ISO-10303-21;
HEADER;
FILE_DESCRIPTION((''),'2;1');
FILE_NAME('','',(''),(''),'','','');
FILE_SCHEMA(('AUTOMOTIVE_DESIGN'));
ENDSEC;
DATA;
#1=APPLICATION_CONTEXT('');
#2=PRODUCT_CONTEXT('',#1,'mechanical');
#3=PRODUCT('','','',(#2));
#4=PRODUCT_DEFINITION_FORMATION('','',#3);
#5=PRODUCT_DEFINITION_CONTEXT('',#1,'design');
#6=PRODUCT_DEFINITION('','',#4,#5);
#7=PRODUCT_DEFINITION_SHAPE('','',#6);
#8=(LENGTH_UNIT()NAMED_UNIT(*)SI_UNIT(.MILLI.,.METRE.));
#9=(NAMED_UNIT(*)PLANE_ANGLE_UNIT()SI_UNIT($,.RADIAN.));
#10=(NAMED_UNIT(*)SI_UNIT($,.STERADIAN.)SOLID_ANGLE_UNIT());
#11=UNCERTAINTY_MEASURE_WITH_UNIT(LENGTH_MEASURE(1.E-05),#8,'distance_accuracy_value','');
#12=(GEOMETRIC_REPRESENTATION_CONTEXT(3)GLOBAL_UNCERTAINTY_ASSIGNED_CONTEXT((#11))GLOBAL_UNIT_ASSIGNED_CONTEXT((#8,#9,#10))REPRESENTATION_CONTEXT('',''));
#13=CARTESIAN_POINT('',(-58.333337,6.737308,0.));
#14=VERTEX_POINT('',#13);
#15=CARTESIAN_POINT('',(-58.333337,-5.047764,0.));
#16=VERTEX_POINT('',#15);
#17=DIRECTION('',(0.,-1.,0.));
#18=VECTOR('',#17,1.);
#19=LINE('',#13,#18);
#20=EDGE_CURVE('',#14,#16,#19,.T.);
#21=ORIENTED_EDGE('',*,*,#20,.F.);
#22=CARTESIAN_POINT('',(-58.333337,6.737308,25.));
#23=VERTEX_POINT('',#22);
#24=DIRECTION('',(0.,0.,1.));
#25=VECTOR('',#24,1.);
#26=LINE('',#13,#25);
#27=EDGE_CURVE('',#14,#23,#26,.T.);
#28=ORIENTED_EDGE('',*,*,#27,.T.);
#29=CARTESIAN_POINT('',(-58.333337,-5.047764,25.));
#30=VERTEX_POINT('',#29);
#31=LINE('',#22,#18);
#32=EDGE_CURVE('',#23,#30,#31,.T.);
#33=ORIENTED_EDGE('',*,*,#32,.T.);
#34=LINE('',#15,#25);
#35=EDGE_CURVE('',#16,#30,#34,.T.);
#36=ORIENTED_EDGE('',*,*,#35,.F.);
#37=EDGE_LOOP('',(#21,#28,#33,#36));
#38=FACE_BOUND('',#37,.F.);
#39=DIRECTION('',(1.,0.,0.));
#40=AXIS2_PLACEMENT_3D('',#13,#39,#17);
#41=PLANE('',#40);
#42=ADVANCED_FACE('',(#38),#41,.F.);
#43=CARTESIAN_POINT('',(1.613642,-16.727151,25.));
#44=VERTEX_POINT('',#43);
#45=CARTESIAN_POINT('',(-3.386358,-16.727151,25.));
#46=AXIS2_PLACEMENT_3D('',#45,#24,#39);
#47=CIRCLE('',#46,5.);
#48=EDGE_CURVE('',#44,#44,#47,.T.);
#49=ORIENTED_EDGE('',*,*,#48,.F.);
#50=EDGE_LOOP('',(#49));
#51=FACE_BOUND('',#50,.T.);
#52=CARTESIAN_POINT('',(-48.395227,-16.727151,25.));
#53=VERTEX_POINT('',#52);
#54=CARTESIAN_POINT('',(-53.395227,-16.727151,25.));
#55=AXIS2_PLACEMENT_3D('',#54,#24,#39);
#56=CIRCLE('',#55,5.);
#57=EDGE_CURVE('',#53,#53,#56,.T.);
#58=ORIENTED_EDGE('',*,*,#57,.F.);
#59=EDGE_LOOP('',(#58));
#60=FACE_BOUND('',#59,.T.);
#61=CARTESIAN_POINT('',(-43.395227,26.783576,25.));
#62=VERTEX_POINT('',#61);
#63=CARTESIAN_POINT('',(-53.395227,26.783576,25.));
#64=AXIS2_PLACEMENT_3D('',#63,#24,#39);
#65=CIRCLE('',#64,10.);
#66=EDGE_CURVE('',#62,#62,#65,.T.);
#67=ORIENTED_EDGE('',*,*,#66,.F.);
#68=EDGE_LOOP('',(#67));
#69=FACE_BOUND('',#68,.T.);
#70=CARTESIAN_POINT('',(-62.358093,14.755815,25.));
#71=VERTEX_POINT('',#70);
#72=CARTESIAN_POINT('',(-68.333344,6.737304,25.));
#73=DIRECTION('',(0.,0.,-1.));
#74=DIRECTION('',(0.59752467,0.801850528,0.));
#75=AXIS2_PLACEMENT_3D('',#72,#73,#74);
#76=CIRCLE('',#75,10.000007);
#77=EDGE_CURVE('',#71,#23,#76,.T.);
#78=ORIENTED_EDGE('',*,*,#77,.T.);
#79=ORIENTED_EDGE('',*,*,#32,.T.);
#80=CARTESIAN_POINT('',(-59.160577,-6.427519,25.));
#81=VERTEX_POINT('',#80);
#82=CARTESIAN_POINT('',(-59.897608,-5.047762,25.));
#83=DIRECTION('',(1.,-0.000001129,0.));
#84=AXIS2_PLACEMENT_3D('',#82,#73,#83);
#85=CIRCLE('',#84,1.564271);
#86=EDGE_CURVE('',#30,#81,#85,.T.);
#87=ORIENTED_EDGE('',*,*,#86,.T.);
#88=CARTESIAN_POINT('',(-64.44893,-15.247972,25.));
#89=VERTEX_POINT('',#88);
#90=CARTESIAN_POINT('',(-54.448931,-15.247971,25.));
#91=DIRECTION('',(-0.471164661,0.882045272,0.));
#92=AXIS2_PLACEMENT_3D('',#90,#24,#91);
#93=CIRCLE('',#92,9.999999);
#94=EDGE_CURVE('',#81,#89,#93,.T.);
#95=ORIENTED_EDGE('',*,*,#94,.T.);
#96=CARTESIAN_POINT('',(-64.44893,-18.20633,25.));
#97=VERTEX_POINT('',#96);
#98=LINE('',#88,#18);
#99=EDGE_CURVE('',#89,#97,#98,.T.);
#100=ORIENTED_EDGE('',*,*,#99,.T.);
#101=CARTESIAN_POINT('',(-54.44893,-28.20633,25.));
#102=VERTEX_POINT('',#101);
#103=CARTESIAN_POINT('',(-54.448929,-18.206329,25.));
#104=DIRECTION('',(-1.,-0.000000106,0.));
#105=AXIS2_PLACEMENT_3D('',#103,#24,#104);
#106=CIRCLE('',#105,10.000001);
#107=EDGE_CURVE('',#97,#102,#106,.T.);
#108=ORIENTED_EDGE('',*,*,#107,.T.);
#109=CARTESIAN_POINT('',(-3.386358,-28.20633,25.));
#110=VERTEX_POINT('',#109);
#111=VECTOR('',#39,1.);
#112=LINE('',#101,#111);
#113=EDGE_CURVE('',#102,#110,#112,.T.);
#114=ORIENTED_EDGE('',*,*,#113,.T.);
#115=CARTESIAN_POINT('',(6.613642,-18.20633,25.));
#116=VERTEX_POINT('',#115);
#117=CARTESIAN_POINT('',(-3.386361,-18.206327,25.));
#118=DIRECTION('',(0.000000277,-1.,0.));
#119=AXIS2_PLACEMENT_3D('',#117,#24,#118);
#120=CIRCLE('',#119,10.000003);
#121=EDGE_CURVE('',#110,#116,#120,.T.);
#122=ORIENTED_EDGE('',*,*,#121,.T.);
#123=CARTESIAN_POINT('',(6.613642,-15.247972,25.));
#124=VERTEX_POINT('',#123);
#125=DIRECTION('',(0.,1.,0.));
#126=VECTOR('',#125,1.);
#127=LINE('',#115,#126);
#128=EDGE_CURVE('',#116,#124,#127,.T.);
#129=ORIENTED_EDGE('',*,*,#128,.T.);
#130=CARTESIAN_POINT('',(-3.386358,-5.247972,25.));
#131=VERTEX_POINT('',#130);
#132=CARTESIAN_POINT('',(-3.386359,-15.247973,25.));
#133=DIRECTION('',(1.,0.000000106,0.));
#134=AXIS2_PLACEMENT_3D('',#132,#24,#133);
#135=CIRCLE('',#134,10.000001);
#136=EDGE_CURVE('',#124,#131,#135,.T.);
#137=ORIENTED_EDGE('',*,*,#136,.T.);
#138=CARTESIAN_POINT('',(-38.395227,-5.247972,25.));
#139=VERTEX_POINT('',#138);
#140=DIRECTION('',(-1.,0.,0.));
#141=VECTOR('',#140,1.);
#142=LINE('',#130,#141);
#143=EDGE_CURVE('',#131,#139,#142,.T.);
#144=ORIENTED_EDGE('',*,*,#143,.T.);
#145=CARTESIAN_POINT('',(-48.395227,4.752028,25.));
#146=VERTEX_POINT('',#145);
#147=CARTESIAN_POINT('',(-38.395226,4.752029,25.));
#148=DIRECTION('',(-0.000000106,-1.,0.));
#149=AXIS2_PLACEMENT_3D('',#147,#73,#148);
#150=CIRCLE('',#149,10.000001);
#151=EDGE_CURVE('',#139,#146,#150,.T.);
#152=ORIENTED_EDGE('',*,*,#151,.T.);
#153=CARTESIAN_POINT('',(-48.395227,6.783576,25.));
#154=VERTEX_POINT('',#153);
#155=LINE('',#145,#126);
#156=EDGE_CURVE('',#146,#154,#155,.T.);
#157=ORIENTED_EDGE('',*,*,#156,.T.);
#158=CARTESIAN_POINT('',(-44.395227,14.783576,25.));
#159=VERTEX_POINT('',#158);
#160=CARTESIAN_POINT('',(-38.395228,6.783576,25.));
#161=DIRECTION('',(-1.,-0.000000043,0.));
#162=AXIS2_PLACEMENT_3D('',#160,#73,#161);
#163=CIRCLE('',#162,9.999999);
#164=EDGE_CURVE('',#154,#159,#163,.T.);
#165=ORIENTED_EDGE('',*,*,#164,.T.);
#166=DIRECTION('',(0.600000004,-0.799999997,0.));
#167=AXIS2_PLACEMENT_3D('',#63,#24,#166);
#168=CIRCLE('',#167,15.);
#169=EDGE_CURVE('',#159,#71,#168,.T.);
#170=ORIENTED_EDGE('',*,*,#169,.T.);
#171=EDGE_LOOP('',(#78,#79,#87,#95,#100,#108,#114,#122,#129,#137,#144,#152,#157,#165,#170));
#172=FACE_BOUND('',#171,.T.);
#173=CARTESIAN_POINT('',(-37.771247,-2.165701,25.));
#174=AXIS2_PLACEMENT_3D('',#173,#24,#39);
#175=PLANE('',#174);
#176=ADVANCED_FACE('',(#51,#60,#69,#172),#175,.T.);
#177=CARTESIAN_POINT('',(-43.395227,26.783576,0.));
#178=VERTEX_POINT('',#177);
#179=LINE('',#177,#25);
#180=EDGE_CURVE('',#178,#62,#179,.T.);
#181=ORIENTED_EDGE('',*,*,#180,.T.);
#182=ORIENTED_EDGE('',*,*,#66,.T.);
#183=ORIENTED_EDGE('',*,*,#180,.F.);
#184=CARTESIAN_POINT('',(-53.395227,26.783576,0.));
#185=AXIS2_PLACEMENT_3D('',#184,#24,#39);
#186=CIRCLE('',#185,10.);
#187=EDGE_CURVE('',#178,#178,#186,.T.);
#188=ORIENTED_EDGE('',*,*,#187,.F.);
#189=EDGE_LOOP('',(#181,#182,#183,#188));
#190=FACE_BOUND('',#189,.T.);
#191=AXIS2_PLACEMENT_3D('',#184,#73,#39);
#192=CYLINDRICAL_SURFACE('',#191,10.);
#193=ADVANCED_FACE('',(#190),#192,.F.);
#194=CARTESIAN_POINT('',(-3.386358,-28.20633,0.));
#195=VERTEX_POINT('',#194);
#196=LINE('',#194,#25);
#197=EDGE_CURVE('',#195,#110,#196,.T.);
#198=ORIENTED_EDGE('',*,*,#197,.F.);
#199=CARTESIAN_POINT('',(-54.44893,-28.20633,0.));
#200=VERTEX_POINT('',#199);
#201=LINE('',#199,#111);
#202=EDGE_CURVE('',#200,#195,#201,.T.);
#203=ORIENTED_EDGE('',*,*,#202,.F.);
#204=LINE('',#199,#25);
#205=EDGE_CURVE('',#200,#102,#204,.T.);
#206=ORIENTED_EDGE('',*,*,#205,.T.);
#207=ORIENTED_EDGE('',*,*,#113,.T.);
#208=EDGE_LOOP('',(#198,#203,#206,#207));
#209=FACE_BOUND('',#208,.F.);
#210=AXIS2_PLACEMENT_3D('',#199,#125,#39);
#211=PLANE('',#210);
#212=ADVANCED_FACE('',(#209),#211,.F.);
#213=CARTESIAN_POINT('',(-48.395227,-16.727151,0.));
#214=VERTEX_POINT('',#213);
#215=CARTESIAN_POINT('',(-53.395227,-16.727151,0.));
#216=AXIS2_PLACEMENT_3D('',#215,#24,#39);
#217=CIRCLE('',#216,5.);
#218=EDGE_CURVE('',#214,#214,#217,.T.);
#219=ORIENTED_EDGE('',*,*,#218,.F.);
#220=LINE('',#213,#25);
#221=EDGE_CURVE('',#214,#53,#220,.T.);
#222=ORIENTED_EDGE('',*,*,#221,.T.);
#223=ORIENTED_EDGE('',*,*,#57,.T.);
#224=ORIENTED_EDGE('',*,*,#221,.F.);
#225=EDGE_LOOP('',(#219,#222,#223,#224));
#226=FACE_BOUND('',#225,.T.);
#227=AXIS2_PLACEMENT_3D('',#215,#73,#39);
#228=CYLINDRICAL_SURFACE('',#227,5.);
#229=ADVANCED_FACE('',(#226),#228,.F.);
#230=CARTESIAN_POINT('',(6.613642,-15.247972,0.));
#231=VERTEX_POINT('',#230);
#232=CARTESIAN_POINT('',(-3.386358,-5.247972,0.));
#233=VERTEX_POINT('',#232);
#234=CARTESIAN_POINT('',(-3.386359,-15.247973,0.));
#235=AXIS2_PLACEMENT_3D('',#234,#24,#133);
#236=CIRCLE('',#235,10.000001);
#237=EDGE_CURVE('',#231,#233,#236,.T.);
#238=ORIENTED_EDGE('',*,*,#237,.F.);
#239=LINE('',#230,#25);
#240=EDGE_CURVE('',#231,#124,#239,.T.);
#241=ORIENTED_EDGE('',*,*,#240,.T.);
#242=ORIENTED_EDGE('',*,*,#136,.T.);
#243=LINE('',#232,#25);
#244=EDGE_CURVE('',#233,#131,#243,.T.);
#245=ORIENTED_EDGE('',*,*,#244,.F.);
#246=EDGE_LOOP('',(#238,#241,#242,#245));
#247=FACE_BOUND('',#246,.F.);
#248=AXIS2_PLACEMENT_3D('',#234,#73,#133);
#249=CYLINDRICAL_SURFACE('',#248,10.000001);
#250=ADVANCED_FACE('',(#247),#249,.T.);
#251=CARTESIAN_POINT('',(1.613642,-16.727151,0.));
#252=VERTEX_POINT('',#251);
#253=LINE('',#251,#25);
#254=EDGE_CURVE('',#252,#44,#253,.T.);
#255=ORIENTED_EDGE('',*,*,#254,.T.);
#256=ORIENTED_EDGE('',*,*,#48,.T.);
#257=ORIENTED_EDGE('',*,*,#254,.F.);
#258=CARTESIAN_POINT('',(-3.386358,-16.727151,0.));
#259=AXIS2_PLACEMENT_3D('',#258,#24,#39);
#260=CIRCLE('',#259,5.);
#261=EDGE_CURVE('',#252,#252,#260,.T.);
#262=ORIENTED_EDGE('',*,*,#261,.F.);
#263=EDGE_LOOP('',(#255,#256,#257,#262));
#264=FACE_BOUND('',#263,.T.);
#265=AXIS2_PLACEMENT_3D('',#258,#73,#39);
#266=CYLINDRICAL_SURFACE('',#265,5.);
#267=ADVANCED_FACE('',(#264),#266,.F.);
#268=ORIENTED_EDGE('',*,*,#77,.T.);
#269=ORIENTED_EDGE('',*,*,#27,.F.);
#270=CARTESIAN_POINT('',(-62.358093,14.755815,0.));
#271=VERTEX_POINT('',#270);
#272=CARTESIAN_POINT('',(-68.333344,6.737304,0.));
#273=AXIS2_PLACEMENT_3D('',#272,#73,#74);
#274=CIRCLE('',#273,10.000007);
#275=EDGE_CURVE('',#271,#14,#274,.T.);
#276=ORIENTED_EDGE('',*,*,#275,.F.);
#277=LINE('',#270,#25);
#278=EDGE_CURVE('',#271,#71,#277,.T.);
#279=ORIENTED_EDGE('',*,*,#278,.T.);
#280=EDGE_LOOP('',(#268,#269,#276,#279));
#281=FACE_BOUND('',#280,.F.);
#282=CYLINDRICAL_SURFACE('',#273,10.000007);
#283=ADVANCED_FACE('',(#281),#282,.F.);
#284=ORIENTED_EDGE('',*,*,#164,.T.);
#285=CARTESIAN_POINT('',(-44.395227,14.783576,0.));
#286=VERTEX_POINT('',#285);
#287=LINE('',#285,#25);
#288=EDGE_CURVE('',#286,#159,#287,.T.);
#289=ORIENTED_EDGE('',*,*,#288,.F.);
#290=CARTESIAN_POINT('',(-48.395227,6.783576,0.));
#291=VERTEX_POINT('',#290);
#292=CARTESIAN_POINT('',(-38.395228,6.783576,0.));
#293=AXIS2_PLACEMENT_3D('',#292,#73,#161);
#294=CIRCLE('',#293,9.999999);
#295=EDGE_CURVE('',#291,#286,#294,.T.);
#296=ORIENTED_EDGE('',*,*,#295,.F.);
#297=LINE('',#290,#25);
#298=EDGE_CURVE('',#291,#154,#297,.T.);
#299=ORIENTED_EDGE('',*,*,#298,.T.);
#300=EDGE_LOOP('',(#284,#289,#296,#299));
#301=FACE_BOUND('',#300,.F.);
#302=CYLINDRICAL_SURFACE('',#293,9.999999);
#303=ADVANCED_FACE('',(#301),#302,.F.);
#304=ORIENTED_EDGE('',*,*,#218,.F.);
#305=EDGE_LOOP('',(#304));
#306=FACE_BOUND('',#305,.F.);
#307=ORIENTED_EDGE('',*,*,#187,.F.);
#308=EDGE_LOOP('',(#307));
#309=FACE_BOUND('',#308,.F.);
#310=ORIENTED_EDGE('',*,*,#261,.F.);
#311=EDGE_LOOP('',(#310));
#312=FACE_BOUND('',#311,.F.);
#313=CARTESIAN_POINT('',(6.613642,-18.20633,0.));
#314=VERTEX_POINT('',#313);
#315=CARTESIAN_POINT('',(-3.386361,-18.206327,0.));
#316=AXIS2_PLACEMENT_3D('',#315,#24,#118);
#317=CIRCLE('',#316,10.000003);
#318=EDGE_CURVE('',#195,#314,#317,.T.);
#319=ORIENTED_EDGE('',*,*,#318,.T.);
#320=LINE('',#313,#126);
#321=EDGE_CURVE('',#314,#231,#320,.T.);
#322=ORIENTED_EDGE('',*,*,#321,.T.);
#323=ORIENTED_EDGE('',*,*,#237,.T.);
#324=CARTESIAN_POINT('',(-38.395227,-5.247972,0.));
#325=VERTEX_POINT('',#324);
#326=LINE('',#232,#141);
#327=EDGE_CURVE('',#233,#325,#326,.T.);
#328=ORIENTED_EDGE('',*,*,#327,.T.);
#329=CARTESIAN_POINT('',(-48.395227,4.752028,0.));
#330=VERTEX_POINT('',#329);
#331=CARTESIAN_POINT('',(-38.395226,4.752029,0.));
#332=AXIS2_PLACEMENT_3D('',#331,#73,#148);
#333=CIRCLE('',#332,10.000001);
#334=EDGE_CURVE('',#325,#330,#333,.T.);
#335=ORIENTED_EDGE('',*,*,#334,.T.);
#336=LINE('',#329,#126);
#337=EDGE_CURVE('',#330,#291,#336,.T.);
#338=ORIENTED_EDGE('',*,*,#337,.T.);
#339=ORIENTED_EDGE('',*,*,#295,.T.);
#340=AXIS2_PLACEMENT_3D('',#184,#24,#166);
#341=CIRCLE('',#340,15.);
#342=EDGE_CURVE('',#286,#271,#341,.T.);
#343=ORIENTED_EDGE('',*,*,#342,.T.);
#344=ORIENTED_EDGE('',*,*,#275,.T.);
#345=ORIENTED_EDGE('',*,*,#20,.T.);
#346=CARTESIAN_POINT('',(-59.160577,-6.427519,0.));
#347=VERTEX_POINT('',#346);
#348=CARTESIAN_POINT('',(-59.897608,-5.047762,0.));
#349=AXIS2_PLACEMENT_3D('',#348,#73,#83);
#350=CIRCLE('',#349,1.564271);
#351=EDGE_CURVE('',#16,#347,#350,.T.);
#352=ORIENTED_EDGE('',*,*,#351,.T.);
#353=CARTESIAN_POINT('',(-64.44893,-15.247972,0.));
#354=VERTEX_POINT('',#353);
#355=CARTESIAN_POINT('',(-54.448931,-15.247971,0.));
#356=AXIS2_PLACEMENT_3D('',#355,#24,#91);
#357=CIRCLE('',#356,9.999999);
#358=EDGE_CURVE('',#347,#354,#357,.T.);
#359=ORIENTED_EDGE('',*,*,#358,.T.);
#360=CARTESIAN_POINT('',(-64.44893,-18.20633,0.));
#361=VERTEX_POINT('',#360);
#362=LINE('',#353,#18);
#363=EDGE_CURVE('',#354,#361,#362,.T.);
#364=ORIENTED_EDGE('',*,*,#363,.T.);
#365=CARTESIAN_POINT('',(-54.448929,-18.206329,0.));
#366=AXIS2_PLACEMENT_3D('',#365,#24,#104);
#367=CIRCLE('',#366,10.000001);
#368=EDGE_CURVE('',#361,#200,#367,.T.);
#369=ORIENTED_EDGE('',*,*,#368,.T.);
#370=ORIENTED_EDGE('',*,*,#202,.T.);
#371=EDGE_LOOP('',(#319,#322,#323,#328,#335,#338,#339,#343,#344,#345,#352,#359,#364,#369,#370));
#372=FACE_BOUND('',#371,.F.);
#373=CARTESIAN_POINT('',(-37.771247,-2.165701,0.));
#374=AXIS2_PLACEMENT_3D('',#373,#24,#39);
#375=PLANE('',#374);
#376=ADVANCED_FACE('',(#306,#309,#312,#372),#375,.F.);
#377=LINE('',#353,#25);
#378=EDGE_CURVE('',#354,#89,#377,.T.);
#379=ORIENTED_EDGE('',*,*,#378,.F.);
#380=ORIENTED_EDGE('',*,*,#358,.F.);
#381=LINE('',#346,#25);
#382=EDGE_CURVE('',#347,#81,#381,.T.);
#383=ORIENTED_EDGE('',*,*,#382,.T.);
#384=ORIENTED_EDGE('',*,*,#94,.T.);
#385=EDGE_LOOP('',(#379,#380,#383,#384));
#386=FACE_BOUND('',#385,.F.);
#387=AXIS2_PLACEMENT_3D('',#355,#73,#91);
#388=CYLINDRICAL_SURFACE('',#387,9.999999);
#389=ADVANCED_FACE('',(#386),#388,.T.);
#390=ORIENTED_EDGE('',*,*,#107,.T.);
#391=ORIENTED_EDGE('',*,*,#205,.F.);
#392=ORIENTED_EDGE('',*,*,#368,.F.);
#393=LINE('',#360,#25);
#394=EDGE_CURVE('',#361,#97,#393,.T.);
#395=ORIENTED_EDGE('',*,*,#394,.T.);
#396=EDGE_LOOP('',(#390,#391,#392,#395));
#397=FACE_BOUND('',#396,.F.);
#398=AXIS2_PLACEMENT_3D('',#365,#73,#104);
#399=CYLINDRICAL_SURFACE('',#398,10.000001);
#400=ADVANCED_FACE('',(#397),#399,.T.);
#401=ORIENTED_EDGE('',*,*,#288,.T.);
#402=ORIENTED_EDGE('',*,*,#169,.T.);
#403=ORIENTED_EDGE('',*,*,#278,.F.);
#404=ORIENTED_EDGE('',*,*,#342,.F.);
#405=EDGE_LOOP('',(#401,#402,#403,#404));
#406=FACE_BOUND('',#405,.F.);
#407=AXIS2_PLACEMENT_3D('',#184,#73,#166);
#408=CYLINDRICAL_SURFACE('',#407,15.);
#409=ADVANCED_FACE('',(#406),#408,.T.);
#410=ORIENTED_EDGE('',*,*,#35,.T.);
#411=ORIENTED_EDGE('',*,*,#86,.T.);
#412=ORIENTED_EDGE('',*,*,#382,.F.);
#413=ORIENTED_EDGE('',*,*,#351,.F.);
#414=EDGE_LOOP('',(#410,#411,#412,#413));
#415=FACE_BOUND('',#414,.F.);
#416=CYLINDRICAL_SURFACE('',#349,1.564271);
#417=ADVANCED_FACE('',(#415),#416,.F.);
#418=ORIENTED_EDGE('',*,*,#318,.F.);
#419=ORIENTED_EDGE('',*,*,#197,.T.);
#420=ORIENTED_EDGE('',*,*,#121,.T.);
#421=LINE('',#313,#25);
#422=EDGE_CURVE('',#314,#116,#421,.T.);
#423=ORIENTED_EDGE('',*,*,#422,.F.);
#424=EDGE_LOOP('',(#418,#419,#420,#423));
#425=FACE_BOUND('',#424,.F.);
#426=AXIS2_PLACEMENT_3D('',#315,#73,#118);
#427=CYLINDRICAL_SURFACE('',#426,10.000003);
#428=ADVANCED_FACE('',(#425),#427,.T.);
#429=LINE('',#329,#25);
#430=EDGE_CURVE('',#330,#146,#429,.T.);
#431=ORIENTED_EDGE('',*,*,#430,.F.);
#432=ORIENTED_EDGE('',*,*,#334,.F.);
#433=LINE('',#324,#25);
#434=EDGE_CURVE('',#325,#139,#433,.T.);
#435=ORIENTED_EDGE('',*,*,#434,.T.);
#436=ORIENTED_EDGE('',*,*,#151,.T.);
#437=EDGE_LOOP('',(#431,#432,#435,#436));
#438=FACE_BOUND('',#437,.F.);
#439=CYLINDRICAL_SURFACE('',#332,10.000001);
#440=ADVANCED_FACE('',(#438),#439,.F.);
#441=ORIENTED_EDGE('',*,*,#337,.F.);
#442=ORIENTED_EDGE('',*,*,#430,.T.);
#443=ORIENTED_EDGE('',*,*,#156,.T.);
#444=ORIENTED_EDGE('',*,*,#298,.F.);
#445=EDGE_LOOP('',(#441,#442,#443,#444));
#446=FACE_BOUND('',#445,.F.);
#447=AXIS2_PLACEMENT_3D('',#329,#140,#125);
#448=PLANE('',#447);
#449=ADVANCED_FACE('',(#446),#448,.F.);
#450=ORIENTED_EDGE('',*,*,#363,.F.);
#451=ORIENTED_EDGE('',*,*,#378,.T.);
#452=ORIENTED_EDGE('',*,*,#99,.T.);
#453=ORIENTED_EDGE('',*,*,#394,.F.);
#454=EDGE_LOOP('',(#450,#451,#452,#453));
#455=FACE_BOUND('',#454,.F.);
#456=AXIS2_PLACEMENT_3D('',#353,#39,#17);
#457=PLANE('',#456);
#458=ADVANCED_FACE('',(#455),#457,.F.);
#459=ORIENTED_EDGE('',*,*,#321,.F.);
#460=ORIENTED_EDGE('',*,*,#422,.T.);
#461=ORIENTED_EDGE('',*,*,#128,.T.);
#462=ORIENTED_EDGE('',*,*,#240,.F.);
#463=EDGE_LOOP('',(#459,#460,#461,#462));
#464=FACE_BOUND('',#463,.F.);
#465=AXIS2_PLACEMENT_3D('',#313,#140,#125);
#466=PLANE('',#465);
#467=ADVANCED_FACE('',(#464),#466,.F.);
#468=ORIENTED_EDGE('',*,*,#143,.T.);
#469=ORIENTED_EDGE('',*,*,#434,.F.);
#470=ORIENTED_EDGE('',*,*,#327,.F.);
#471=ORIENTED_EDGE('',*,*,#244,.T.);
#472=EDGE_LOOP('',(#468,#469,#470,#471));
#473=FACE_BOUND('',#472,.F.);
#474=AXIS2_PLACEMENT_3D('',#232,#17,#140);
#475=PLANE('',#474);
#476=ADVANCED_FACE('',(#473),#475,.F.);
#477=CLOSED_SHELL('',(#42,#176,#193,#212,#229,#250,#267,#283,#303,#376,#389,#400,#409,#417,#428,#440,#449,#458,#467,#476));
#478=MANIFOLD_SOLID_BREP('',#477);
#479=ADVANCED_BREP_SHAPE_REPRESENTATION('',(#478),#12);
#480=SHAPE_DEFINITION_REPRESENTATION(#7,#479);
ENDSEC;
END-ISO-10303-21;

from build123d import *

# Parameters (mm, degrees)
F0_R     = 5
F0_R_2   = 10
F1_DEPTH = 25
F2_DEPTH = 25


with BuildPart() as f1:
    # F0 (on Top) → F1 (new body)
    with BuildSketch(Plane.XY):
        with BuildLine():
            Line((-3.386358, -5.247972), (-35.82144, -5.247972))
            Line((-35.82144, -5.247972), (-38.395227, -5.247972))
            ThreePointArc((-38.395227, -5.247972), (-45.466295, -2.319039), (-48.395227, 4.752028))
            Line((-48.395227, 4.752028), (-48.395227, 6.783576))
            ThreePointArc((-48.395227, 6.783576), (-47.339499, 11.255712), (-44.395227, 14.783576))
            ThreePointArc((-44.395227, 14.783576), (-53.418409, 41.783558), (-62.358093, 14.755815))
            ThreePointArc((-62.358093, 14.755815), (-59.395988, 11.223261), (-58.333337, 6.737308))
            Line((-58.333337, 6.737308), (-58.333337, -5.047764))
            ThreePointArc((-58.333337, -5.047764), (-58.555994, -5.852135), (-59.160577, -6.427519))
            ThreePointArc((-59.160577, -6.427519), (-63.02554, -10.105816), (-64.44893, -15.247972))
            Line((-64.44893, -15.247972), (-64.44893, -18.20633))
            ThreePointArc((-64.44893, -18.20633), (-61.519998, -25.277397), (-54.44893, -28.20633))
            Line((-54.44893, -28.20633), (-3.386358, -28.20633))
            ThreePointArc((-3.386358, -28.20633), (3.684709, -25.277397), (6.613642, -18.20633))
            Line((6.613642, -18.20633), (6.613642, -16.727151))
            Line((6.613642, -16.727151), (6.613642, -15.247972))
            ThreePointArc((6.613642, -15.247972), (3.684709, -8.176904), (-3.386358, -5.247972))
        make_face()
        with Locations((-53.395227, -16.727151)):
            Circle(F0_R, mode=Mode.SUBTRACT)
        with Locations((-3.386358, -16.727151)):
            Circle(F0_R, mode=Mode.SUBTRACT)
        with Locations((-53.395227, 26.783576)):
            Circle(F0_R_2, mode=Mode.SUBTRACT)
    extrude(amount=F1_DEPTH)

    # F0 (on Top) → F2 (join)
    with BuildSketch(Plane.XY):
        with BuildLine():
            Line((-3.386358, -5.247972), (-35.82144, -5.247972))
            Line((-35.82144, -5.247972), (-38.395227, -5.247972))
            ThreePointArc((-38.395227, -5.247972), (-45.466295, -2.319039), (-48.395227, 4.752028))
            Line((-48.395227, 4.752028), (-48.395227, 6.783576))
            ThreePointArc((-48.395227, 6.783576), (-47.339499, 11.255712), (-44.395227, 14.783576))
            ThreePointArc((-44.395227, 14.783576), (-53.418409, 41.783558), (-62.358093, 14.755815))
            ThreePointArc((-62.358093, 14.755815), (-59.395988, 11.223261), (-58.333337, 6.737308))
            Line((-58.333337, 6.737308), (-58.333337, -5.047764))
            ThreePointArc((-58.333337, -5.047764), (-58.555994, -5.852135), (-59.160577, -6.427519))
            ThreePointArc((-59.160577, -6.427519), (-63.02554, -10.105816), (-64.44893, -15.247972))
            Line((-64.44893, -15.247972), (-64.44893, -18.20633))
            ThreePointArc((-64.44893, -18.20633), (-61.519998, -25.277397), (-54.44893, -28.20633))
            Line((-54.44893, -28.20633), (-3.386358, -28.20633))
            ThreePointArc((-3.386358, -28.20633), (3.684709, -25.277397), (6.613642, -18.20633))
            Line((6.613642, -18.20633), (6.613642, -16.727151))
            Line((6.613642, -16.727151), (6.613642, -15.247972))
            ThreePointArc((6.613642, -15.247972), (3.684709, -8.176904), (-3.386358, -5.247972))
        make_face()
        with Locations((-53.395227, -16.727151)):
            Circle(F0_R, mode=Mode.SUBTRACT)
        with Locations((-3.386358, -16.727151)):
            Circle(F0_R, mode=Mode.SUBTRACT)
        with Locations((-53.395227, 26.783576)):
            Circle(F0_R_2, mode=Mode.SUBTRACT)
    extrude(amount=F2_DEPTH)


solid = f1.part
